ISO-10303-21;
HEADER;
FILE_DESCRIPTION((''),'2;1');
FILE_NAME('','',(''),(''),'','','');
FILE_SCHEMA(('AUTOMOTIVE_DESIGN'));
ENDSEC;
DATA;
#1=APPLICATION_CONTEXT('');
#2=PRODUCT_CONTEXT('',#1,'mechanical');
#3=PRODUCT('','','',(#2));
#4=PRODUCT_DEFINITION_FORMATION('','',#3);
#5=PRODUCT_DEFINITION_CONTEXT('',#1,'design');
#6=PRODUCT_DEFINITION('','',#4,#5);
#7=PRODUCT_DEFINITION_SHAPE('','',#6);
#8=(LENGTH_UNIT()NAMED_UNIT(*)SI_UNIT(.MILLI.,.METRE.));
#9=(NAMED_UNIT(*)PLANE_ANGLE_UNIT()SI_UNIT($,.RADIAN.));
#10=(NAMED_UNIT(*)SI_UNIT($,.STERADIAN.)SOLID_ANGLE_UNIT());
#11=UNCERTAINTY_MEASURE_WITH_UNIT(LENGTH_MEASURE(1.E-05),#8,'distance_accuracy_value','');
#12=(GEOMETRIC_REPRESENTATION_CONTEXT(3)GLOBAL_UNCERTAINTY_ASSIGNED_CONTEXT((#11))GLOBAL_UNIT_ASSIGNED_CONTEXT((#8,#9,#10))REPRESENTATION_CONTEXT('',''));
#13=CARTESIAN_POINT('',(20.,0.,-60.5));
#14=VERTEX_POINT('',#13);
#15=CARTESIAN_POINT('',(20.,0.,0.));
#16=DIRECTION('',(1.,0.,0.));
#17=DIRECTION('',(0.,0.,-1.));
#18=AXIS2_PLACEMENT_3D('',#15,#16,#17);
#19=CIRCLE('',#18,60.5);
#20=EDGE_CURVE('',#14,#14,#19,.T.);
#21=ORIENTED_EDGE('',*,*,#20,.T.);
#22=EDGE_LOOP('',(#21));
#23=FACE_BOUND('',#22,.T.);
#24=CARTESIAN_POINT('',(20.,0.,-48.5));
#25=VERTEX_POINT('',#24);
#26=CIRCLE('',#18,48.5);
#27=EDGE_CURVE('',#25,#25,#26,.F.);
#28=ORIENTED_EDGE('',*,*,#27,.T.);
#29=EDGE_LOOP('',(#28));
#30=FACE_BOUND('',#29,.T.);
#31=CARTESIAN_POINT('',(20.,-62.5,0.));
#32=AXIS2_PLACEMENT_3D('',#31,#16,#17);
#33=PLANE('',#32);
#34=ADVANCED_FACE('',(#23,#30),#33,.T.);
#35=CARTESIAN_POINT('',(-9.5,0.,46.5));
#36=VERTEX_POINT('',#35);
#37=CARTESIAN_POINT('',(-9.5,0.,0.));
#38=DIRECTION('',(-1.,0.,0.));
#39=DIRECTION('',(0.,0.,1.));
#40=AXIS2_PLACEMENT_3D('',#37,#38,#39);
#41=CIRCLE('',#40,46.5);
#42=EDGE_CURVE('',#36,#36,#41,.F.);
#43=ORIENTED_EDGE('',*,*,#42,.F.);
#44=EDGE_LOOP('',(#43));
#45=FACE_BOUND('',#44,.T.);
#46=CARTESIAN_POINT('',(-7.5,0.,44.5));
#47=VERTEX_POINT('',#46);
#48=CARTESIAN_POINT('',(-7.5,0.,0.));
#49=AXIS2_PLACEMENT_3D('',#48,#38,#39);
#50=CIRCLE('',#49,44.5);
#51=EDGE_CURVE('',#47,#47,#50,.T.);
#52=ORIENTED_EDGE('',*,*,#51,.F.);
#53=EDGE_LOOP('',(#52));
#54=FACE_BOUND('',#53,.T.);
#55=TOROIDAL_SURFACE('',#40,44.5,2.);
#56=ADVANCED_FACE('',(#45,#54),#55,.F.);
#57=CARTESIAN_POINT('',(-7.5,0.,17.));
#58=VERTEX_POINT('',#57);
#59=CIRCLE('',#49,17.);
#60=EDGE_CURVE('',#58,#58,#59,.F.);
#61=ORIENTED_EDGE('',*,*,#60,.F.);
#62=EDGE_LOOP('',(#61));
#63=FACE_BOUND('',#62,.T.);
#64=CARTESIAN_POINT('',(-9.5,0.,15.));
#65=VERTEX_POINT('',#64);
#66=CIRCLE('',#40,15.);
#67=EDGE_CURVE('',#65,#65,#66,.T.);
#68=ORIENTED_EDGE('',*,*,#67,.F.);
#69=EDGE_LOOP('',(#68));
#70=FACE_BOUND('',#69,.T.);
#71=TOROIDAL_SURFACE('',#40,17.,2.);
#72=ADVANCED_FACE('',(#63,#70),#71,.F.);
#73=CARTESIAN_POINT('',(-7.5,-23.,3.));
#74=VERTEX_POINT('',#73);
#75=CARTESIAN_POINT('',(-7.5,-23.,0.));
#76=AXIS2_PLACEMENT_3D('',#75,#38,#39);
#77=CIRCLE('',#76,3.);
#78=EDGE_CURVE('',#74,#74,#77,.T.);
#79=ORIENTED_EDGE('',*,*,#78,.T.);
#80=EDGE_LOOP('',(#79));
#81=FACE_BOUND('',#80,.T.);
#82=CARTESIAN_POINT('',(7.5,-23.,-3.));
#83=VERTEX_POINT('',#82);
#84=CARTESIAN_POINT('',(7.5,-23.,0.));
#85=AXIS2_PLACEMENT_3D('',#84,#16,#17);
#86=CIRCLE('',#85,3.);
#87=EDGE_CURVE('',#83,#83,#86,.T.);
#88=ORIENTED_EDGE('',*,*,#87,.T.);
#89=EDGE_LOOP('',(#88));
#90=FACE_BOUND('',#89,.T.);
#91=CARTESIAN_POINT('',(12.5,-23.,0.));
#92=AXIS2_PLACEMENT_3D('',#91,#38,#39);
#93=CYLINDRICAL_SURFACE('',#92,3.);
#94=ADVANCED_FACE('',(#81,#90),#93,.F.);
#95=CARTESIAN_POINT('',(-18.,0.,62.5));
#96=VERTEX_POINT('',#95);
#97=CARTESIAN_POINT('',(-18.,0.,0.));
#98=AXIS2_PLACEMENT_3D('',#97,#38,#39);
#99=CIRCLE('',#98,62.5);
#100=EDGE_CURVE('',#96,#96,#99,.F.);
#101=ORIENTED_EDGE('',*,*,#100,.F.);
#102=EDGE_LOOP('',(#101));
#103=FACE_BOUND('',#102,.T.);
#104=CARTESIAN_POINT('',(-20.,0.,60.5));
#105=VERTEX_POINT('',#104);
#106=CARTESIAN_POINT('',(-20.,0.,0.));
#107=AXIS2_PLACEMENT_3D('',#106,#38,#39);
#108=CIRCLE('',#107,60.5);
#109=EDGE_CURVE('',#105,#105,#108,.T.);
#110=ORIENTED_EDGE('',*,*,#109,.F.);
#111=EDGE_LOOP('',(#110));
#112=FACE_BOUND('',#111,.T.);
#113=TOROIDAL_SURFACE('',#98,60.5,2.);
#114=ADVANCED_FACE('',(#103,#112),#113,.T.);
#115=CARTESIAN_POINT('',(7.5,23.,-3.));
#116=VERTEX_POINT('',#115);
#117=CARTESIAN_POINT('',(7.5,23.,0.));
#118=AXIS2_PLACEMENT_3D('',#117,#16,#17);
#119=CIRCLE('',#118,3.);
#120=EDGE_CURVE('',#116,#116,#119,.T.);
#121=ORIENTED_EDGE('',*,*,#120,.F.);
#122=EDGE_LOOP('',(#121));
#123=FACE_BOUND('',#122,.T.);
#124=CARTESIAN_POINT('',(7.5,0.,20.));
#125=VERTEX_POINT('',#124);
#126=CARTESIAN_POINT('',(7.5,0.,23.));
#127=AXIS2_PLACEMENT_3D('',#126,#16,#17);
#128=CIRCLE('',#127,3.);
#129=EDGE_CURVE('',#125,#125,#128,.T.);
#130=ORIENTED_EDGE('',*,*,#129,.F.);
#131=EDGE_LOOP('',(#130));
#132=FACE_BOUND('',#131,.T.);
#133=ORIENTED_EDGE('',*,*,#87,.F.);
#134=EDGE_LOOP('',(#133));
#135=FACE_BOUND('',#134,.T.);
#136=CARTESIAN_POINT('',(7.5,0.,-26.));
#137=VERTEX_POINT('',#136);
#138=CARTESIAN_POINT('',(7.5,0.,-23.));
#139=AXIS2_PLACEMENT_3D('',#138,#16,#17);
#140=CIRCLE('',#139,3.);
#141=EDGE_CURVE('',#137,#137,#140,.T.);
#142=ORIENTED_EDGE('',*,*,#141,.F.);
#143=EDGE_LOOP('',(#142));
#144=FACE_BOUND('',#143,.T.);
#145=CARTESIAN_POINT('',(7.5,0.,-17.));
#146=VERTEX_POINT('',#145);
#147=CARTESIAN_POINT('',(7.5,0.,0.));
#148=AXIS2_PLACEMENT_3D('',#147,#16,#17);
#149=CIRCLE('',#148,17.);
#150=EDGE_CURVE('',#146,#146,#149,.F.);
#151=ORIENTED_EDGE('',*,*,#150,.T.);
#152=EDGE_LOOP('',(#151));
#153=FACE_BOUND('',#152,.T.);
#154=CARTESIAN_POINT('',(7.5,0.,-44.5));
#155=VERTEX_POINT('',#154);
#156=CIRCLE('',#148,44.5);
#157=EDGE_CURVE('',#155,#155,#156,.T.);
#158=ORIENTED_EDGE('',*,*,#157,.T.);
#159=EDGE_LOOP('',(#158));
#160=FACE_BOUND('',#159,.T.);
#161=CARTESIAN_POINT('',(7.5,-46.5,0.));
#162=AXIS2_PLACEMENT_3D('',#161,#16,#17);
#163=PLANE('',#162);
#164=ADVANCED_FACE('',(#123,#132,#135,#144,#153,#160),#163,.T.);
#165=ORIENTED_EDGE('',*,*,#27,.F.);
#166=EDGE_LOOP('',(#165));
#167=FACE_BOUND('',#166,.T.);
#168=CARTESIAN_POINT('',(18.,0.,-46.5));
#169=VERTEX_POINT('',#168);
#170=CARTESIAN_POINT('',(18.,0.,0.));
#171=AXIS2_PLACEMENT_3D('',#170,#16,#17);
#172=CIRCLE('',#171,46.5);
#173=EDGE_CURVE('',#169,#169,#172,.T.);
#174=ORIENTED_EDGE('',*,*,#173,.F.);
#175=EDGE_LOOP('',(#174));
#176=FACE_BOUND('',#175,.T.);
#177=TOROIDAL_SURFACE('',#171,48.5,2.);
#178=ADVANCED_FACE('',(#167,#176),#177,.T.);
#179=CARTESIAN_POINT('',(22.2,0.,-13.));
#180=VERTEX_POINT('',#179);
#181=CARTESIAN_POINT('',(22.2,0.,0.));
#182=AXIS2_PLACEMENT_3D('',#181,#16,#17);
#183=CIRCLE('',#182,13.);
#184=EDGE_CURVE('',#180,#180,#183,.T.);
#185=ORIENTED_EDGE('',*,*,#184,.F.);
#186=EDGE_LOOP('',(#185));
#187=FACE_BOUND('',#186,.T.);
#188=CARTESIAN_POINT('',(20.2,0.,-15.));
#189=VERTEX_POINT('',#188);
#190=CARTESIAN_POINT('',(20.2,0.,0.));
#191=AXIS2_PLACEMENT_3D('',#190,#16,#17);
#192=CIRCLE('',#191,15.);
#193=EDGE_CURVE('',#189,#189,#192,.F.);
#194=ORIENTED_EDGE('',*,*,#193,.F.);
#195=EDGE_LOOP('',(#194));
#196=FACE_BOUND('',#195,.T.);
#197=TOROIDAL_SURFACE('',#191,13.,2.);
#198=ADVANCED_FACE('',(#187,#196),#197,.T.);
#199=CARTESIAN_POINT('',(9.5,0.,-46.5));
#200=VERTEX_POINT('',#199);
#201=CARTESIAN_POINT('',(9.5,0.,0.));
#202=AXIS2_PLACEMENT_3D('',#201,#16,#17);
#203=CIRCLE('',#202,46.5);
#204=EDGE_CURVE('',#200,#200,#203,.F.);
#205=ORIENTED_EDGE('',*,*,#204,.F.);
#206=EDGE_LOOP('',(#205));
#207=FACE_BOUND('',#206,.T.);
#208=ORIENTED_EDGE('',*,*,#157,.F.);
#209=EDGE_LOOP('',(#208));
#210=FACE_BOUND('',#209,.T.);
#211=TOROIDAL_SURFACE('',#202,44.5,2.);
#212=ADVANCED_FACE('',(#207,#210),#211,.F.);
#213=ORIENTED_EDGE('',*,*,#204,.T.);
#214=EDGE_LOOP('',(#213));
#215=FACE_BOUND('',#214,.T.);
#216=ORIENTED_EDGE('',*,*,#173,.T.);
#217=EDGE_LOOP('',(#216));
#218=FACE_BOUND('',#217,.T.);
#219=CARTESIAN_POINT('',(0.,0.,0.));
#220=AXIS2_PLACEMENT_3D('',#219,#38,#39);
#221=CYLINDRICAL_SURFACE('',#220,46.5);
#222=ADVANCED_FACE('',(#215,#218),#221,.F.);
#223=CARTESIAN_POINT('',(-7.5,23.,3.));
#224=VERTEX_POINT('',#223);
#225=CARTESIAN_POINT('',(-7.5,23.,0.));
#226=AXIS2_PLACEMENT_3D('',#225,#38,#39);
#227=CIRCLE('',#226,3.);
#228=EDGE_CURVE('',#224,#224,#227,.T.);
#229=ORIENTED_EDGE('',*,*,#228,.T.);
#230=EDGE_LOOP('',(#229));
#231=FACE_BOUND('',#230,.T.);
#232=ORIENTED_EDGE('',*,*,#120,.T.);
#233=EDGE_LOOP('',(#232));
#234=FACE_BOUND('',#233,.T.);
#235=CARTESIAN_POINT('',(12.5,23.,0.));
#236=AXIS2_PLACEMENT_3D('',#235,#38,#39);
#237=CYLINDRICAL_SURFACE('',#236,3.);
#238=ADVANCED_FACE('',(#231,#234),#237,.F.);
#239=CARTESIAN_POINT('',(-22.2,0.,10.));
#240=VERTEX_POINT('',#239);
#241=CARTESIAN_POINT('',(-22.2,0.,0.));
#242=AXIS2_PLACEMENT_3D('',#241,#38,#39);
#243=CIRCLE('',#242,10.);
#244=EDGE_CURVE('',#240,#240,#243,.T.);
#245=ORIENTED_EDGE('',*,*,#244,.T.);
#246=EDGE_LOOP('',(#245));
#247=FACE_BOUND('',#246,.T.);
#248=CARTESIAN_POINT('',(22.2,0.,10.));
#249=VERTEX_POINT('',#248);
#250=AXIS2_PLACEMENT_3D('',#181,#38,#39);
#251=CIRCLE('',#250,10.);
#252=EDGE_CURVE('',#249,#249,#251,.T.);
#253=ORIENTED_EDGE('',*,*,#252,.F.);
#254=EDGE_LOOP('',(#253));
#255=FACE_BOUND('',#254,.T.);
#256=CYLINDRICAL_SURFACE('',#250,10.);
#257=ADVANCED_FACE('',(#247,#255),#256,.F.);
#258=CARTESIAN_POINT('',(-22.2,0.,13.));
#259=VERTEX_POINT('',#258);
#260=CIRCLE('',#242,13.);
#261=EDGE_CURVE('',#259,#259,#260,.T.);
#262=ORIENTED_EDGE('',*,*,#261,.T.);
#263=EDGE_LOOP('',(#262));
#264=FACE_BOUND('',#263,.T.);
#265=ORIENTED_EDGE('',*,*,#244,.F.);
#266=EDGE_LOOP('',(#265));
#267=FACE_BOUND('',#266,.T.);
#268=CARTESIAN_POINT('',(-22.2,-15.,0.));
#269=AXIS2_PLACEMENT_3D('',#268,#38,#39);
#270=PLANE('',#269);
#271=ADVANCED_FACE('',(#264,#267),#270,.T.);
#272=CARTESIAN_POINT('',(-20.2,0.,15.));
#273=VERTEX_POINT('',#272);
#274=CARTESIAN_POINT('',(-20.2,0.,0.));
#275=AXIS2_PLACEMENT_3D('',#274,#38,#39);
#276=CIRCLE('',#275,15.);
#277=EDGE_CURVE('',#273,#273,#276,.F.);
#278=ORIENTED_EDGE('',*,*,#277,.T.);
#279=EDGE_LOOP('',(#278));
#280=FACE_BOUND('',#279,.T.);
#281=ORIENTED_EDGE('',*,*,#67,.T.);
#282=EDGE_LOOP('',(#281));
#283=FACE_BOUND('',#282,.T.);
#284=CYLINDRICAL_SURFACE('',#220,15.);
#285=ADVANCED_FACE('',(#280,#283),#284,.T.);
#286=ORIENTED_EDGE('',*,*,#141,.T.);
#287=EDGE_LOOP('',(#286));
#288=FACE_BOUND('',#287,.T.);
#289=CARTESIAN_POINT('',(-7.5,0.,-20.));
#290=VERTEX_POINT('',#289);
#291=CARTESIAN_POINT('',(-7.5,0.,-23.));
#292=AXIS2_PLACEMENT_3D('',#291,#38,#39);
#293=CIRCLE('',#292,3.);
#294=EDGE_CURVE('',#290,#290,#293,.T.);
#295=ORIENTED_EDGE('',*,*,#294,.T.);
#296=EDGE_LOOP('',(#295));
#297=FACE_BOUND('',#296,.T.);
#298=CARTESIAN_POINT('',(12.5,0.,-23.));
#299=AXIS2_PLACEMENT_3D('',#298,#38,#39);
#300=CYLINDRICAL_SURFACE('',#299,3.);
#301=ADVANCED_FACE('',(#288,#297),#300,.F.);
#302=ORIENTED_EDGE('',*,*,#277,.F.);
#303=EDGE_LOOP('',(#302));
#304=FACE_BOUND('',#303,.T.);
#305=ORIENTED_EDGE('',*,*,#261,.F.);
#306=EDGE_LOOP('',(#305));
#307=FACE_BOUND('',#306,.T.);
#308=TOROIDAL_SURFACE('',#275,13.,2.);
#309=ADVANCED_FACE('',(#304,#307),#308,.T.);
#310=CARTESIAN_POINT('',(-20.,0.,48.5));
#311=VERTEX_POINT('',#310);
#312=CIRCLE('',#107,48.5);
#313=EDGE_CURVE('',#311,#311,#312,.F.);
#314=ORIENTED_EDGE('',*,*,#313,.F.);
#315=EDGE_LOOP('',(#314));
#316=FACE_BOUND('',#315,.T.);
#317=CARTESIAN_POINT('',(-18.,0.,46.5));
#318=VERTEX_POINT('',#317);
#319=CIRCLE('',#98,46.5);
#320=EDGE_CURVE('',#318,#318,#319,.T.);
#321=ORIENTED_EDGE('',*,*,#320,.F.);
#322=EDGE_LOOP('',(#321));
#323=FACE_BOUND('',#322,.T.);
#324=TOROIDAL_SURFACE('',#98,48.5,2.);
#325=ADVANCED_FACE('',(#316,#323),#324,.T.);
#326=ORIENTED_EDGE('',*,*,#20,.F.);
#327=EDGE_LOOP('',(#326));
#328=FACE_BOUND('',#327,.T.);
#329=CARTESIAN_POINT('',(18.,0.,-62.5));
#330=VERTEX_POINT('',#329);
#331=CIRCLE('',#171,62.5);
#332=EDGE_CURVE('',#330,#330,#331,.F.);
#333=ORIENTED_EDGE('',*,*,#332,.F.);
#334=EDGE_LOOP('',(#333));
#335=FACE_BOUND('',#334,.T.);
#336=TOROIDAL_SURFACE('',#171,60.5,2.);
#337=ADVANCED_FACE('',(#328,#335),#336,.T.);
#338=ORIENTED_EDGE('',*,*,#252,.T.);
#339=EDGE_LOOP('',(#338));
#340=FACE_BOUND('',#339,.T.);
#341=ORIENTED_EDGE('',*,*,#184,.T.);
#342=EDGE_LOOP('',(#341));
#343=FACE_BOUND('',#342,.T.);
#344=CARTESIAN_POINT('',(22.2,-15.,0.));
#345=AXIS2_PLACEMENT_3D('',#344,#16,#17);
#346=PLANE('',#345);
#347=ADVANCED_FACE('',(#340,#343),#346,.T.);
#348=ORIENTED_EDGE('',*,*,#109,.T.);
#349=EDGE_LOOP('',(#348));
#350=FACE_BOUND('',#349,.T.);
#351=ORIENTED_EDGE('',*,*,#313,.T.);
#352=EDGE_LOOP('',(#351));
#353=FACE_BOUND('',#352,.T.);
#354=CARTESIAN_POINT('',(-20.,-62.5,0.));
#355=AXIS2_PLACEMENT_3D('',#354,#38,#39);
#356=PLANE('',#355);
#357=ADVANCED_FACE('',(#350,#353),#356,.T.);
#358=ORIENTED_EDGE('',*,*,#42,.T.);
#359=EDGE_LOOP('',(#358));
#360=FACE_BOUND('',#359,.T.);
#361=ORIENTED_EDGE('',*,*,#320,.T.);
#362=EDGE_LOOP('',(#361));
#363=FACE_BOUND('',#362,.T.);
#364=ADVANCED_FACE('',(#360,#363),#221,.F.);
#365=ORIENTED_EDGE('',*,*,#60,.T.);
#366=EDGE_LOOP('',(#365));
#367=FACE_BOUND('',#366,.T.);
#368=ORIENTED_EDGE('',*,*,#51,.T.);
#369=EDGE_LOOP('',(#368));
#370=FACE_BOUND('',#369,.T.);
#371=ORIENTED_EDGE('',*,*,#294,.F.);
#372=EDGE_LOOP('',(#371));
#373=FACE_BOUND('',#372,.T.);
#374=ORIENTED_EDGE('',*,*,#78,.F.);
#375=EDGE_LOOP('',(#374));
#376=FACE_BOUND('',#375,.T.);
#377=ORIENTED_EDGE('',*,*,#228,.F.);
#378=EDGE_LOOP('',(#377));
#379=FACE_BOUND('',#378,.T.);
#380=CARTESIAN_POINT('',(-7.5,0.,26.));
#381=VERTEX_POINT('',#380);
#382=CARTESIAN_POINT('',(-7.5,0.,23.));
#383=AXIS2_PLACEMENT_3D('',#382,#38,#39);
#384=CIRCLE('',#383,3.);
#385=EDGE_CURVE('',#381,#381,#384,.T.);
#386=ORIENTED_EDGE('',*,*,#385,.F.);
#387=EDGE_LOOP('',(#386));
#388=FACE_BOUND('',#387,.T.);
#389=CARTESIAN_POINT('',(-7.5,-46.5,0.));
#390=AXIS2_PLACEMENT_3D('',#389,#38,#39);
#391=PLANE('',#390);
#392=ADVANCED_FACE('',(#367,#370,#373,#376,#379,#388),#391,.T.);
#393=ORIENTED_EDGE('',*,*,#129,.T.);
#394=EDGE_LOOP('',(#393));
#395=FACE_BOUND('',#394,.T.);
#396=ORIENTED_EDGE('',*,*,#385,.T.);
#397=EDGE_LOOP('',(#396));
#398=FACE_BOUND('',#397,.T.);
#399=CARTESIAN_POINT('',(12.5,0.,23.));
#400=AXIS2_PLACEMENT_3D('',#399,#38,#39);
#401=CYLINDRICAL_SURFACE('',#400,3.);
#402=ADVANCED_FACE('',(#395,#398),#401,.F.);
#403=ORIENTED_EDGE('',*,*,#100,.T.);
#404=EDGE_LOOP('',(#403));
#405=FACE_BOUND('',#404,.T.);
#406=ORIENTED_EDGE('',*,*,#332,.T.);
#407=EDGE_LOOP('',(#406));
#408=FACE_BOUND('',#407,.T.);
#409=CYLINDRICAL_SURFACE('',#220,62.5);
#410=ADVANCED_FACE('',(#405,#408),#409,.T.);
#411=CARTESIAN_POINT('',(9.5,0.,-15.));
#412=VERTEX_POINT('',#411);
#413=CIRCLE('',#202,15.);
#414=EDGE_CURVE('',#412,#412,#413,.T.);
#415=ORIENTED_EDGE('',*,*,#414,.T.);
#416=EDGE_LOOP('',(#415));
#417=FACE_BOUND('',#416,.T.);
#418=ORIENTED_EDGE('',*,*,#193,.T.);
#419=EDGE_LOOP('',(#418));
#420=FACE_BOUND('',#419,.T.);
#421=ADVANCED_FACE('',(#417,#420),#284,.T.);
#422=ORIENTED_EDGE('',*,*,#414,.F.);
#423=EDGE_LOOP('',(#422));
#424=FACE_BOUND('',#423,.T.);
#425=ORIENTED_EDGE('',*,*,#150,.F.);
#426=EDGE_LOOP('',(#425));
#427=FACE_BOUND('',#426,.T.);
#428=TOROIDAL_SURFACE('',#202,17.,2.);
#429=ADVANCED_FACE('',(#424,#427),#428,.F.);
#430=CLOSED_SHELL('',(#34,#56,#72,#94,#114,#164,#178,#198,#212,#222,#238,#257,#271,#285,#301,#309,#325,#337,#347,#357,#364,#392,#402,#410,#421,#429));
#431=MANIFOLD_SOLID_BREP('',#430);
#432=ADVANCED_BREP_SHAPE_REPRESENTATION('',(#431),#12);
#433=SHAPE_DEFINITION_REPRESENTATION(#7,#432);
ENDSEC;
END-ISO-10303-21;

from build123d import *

# Parameters (mm, degrees)
FILLET1_R             = 2
SKETCH2_R             = 10
CENTREBORED_OUT_DEPTH = 99.913396464
SKETCH3_R             = 3
CUT_EXTRUDE2_DEPTH    = 20


with BuildPart() as part:
    # Sketch1 → Revolve1 (revolve)
    with BuildSketch(Plane.XY, mode=Mode.PRIVATE) as revolve1_sk:
        Polygon((-20, -62.5), (20, -62.5), (20, -46.5), (7.5, -46.5), (7.5, -15), (22.2, -15), (22.2, -6), (-22.2, -6), (-22.2, -15), (-7.5, -15), (-7.5, -46.5), (-20, -46.5), align=None)
    revolve(revolve1_sk.sketch.rotate(Axis((0, 0, 0), (1, 0, 0)), 270), axis=Axis((0, 0, 0), (1, 0, 0)))

    # Fillet1
    fillet1_edges = [part.edges().sort_by_distance(p)[0] for p in [
        (-7.5, 0, -15),
        (-22.2, 0, -15),
        (22.2, 0, -15),
        (7.5, 0, -15),
        (7.5, 0, -46.5),
        (20, 0, -46.5),
        (20, 0, -62.5),
        (-20, 0, -62.5),
        (-20, 0, -46.5),
        (-7.5, 0, -46.5),
    ]]
    fillet(fillet1_edges, radius=FILLET1_R)

    # Sketch2 → centrebored out (cut, through all)
    with BuildSketch(Plane.ZY.offset(22.2)):
        Circle(SKETCH2_R)
    extrude(amount=-CENTREBORED_OUT_DEPTH, mode=Mode.SUBTRACT)

    # Sketch3 → Cut-Extrude2 (cut)
    with BuildSketch(Plane.ZY.offset(7.5)):
        with Locations((0, 23)):
            Circle(SKETCH3_R)
        with Locations((23, 0)):
            Circle(SKETCH3_R)
        with Locations((0, -23)):
            Circle(SKETCH3_R)
        with Locations((-23, 0)):
            Circle(SKETCH3_R)
    extrude(amount=-CUT_EXTRUDE2_DEPTH, mode=Mode.SUBTRACT)


solid = part.part
